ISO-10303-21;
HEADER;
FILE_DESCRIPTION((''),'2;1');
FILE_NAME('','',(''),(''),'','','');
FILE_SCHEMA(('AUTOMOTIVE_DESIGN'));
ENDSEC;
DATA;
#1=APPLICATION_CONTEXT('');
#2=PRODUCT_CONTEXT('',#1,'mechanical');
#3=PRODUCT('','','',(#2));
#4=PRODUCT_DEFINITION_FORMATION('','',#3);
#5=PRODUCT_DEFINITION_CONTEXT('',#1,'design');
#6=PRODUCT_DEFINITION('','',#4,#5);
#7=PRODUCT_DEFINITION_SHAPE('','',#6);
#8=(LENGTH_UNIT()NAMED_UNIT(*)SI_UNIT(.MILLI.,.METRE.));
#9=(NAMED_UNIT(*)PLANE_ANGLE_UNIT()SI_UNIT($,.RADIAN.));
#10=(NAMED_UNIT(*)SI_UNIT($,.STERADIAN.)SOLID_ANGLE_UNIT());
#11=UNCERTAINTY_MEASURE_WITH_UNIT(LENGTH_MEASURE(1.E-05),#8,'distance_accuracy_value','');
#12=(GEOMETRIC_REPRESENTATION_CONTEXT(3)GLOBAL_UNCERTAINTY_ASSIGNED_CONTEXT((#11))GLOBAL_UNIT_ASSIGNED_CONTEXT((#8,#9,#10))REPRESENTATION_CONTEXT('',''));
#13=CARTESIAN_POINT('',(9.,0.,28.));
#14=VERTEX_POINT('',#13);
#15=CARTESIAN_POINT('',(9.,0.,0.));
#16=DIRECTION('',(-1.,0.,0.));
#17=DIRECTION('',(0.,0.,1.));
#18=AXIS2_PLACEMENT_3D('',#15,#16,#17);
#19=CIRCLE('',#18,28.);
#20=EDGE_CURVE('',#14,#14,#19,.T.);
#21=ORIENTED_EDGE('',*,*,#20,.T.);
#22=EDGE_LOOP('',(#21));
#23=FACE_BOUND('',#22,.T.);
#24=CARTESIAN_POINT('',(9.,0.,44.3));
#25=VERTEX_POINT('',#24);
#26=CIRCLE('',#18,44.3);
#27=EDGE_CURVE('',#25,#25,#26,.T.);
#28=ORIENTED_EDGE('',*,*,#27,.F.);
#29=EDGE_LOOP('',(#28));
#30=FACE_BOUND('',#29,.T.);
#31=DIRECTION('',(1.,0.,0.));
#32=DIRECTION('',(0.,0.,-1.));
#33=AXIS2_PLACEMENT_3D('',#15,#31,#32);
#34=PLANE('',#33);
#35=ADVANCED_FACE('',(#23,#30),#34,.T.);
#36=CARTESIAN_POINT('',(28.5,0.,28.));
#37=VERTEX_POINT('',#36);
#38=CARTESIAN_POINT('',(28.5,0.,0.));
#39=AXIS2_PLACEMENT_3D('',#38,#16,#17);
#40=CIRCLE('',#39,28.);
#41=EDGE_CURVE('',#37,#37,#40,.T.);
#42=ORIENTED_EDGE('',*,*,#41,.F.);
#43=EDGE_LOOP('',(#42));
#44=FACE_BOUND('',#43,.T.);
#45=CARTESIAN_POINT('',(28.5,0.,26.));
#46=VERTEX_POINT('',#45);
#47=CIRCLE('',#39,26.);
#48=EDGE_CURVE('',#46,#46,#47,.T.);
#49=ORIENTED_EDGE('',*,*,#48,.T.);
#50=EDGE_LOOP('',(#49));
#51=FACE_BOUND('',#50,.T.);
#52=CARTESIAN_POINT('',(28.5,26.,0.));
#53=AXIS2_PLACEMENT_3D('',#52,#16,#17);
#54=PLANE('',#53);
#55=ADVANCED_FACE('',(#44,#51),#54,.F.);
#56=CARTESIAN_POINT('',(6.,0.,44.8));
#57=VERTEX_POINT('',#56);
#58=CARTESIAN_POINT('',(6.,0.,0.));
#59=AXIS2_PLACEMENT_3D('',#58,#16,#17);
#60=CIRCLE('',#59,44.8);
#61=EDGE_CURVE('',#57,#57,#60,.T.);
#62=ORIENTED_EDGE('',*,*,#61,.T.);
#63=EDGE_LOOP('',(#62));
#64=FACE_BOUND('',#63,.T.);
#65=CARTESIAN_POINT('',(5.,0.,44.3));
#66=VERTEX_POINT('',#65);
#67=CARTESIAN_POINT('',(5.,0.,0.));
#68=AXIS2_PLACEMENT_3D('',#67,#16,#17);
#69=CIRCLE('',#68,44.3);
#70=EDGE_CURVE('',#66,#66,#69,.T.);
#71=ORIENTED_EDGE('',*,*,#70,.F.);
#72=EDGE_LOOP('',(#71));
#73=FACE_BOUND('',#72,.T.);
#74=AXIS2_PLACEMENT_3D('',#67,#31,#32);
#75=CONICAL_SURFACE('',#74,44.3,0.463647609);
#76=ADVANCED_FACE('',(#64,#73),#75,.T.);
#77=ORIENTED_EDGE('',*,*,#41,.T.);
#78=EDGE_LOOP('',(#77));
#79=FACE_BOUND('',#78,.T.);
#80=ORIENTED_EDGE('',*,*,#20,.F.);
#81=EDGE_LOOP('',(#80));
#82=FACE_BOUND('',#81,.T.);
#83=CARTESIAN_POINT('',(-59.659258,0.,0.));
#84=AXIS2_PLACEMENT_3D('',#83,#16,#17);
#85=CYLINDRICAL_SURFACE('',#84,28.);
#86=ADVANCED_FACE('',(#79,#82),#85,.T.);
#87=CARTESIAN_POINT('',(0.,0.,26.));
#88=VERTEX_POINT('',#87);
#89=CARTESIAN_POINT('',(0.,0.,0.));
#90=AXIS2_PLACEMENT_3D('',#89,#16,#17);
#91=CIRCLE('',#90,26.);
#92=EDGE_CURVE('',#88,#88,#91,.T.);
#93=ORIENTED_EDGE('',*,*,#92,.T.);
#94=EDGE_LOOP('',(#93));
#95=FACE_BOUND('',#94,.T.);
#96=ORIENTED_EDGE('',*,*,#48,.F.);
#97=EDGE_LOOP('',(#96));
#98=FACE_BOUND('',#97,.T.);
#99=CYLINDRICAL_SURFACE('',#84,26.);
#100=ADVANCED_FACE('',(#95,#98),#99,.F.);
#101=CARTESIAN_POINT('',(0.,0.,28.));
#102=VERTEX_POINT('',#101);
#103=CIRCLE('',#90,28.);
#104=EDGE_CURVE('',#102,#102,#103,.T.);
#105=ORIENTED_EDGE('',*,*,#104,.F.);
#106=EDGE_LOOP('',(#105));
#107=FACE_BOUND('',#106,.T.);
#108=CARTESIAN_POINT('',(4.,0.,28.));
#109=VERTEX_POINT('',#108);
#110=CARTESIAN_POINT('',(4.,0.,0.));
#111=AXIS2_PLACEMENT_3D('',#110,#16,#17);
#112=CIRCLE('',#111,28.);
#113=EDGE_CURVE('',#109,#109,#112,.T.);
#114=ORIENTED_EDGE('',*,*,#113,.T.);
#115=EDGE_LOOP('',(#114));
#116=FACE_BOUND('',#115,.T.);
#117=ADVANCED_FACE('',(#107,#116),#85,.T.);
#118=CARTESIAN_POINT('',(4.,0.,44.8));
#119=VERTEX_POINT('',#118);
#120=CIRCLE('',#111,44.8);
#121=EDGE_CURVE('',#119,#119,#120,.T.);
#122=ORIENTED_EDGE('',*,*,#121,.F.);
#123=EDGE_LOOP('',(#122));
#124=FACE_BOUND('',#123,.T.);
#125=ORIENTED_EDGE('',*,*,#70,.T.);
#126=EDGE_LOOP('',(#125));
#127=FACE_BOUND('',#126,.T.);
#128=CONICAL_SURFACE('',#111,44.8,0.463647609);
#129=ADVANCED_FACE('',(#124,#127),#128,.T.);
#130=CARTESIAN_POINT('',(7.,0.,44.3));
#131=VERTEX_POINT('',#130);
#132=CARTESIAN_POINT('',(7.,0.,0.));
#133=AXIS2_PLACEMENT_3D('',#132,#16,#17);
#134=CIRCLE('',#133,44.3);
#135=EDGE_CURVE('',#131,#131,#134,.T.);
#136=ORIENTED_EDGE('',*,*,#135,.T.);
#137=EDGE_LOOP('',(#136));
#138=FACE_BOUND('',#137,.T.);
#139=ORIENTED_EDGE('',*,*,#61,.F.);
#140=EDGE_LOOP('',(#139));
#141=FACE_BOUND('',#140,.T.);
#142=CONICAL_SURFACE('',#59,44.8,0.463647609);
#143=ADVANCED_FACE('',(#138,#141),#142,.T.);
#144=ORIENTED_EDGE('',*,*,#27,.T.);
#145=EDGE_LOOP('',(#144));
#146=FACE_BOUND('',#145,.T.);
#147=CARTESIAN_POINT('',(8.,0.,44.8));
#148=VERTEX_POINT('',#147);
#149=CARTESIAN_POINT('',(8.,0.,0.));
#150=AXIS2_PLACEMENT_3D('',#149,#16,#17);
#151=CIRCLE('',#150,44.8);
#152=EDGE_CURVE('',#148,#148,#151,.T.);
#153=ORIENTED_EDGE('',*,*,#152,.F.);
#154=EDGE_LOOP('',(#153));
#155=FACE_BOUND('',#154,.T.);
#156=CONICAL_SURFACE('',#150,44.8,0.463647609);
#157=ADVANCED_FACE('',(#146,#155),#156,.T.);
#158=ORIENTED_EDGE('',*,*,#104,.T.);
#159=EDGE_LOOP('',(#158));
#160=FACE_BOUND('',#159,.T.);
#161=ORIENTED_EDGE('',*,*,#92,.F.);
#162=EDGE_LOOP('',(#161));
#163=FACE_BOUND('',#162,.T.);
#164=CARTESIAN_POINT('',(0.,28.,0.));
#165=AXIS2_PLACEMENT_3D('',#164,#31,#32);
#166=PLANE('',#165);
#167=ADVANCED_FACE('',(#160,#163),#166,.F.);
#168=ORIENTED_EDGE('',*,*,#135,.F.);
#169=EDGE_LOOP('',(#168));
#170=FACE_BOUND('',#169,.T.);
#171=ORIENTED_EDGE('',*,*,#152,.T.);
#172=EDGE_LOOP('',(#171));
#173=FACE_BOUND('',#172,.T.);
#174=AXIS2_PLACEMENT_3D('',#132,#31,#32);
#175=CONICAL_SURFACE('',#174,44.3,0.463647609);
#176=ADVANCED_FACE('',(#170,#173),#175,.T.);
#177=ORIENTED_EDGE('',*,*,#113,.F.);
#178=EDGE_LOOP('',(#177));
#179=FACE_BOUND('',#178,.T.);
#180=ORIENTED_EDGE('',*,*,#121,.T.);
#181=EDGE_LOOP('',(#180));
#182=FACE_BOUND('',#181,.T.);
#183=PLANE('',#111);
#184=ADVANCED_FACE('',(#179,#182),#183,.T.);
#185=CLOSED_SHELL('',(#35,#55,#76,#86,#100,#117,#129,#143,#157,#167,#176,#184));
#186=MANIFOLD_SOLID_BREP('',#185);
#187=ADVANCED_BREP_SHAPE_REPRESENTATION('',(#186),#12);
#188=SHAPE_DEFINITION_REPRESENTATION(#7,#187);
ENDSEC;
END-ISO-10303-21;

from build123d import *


with BuildPart() as part:
    # 草图1 → 旋转1 (revolve)
    with BuildSketch(Plane.XY, mode=Mode.PRIVATE) as revolve_1_sk:
        Polygon((0, 28), (0, 26), (28.5, 26), (28.5, 28), (9, 28), (9, 44.3), (8, 44.8), (7, 44.3), (6, 44.8), (5, 44.3), (4, 44.8), (4, 28), align=None)
    revolve(revolve_1_sk.sketch.rotate(Axis((-59.659258107, 0, 0), (1, 0, 0)), 90), axis=Axis((-59.659258107, 0, 0), (1, 0, 0)))


solid = part.part
